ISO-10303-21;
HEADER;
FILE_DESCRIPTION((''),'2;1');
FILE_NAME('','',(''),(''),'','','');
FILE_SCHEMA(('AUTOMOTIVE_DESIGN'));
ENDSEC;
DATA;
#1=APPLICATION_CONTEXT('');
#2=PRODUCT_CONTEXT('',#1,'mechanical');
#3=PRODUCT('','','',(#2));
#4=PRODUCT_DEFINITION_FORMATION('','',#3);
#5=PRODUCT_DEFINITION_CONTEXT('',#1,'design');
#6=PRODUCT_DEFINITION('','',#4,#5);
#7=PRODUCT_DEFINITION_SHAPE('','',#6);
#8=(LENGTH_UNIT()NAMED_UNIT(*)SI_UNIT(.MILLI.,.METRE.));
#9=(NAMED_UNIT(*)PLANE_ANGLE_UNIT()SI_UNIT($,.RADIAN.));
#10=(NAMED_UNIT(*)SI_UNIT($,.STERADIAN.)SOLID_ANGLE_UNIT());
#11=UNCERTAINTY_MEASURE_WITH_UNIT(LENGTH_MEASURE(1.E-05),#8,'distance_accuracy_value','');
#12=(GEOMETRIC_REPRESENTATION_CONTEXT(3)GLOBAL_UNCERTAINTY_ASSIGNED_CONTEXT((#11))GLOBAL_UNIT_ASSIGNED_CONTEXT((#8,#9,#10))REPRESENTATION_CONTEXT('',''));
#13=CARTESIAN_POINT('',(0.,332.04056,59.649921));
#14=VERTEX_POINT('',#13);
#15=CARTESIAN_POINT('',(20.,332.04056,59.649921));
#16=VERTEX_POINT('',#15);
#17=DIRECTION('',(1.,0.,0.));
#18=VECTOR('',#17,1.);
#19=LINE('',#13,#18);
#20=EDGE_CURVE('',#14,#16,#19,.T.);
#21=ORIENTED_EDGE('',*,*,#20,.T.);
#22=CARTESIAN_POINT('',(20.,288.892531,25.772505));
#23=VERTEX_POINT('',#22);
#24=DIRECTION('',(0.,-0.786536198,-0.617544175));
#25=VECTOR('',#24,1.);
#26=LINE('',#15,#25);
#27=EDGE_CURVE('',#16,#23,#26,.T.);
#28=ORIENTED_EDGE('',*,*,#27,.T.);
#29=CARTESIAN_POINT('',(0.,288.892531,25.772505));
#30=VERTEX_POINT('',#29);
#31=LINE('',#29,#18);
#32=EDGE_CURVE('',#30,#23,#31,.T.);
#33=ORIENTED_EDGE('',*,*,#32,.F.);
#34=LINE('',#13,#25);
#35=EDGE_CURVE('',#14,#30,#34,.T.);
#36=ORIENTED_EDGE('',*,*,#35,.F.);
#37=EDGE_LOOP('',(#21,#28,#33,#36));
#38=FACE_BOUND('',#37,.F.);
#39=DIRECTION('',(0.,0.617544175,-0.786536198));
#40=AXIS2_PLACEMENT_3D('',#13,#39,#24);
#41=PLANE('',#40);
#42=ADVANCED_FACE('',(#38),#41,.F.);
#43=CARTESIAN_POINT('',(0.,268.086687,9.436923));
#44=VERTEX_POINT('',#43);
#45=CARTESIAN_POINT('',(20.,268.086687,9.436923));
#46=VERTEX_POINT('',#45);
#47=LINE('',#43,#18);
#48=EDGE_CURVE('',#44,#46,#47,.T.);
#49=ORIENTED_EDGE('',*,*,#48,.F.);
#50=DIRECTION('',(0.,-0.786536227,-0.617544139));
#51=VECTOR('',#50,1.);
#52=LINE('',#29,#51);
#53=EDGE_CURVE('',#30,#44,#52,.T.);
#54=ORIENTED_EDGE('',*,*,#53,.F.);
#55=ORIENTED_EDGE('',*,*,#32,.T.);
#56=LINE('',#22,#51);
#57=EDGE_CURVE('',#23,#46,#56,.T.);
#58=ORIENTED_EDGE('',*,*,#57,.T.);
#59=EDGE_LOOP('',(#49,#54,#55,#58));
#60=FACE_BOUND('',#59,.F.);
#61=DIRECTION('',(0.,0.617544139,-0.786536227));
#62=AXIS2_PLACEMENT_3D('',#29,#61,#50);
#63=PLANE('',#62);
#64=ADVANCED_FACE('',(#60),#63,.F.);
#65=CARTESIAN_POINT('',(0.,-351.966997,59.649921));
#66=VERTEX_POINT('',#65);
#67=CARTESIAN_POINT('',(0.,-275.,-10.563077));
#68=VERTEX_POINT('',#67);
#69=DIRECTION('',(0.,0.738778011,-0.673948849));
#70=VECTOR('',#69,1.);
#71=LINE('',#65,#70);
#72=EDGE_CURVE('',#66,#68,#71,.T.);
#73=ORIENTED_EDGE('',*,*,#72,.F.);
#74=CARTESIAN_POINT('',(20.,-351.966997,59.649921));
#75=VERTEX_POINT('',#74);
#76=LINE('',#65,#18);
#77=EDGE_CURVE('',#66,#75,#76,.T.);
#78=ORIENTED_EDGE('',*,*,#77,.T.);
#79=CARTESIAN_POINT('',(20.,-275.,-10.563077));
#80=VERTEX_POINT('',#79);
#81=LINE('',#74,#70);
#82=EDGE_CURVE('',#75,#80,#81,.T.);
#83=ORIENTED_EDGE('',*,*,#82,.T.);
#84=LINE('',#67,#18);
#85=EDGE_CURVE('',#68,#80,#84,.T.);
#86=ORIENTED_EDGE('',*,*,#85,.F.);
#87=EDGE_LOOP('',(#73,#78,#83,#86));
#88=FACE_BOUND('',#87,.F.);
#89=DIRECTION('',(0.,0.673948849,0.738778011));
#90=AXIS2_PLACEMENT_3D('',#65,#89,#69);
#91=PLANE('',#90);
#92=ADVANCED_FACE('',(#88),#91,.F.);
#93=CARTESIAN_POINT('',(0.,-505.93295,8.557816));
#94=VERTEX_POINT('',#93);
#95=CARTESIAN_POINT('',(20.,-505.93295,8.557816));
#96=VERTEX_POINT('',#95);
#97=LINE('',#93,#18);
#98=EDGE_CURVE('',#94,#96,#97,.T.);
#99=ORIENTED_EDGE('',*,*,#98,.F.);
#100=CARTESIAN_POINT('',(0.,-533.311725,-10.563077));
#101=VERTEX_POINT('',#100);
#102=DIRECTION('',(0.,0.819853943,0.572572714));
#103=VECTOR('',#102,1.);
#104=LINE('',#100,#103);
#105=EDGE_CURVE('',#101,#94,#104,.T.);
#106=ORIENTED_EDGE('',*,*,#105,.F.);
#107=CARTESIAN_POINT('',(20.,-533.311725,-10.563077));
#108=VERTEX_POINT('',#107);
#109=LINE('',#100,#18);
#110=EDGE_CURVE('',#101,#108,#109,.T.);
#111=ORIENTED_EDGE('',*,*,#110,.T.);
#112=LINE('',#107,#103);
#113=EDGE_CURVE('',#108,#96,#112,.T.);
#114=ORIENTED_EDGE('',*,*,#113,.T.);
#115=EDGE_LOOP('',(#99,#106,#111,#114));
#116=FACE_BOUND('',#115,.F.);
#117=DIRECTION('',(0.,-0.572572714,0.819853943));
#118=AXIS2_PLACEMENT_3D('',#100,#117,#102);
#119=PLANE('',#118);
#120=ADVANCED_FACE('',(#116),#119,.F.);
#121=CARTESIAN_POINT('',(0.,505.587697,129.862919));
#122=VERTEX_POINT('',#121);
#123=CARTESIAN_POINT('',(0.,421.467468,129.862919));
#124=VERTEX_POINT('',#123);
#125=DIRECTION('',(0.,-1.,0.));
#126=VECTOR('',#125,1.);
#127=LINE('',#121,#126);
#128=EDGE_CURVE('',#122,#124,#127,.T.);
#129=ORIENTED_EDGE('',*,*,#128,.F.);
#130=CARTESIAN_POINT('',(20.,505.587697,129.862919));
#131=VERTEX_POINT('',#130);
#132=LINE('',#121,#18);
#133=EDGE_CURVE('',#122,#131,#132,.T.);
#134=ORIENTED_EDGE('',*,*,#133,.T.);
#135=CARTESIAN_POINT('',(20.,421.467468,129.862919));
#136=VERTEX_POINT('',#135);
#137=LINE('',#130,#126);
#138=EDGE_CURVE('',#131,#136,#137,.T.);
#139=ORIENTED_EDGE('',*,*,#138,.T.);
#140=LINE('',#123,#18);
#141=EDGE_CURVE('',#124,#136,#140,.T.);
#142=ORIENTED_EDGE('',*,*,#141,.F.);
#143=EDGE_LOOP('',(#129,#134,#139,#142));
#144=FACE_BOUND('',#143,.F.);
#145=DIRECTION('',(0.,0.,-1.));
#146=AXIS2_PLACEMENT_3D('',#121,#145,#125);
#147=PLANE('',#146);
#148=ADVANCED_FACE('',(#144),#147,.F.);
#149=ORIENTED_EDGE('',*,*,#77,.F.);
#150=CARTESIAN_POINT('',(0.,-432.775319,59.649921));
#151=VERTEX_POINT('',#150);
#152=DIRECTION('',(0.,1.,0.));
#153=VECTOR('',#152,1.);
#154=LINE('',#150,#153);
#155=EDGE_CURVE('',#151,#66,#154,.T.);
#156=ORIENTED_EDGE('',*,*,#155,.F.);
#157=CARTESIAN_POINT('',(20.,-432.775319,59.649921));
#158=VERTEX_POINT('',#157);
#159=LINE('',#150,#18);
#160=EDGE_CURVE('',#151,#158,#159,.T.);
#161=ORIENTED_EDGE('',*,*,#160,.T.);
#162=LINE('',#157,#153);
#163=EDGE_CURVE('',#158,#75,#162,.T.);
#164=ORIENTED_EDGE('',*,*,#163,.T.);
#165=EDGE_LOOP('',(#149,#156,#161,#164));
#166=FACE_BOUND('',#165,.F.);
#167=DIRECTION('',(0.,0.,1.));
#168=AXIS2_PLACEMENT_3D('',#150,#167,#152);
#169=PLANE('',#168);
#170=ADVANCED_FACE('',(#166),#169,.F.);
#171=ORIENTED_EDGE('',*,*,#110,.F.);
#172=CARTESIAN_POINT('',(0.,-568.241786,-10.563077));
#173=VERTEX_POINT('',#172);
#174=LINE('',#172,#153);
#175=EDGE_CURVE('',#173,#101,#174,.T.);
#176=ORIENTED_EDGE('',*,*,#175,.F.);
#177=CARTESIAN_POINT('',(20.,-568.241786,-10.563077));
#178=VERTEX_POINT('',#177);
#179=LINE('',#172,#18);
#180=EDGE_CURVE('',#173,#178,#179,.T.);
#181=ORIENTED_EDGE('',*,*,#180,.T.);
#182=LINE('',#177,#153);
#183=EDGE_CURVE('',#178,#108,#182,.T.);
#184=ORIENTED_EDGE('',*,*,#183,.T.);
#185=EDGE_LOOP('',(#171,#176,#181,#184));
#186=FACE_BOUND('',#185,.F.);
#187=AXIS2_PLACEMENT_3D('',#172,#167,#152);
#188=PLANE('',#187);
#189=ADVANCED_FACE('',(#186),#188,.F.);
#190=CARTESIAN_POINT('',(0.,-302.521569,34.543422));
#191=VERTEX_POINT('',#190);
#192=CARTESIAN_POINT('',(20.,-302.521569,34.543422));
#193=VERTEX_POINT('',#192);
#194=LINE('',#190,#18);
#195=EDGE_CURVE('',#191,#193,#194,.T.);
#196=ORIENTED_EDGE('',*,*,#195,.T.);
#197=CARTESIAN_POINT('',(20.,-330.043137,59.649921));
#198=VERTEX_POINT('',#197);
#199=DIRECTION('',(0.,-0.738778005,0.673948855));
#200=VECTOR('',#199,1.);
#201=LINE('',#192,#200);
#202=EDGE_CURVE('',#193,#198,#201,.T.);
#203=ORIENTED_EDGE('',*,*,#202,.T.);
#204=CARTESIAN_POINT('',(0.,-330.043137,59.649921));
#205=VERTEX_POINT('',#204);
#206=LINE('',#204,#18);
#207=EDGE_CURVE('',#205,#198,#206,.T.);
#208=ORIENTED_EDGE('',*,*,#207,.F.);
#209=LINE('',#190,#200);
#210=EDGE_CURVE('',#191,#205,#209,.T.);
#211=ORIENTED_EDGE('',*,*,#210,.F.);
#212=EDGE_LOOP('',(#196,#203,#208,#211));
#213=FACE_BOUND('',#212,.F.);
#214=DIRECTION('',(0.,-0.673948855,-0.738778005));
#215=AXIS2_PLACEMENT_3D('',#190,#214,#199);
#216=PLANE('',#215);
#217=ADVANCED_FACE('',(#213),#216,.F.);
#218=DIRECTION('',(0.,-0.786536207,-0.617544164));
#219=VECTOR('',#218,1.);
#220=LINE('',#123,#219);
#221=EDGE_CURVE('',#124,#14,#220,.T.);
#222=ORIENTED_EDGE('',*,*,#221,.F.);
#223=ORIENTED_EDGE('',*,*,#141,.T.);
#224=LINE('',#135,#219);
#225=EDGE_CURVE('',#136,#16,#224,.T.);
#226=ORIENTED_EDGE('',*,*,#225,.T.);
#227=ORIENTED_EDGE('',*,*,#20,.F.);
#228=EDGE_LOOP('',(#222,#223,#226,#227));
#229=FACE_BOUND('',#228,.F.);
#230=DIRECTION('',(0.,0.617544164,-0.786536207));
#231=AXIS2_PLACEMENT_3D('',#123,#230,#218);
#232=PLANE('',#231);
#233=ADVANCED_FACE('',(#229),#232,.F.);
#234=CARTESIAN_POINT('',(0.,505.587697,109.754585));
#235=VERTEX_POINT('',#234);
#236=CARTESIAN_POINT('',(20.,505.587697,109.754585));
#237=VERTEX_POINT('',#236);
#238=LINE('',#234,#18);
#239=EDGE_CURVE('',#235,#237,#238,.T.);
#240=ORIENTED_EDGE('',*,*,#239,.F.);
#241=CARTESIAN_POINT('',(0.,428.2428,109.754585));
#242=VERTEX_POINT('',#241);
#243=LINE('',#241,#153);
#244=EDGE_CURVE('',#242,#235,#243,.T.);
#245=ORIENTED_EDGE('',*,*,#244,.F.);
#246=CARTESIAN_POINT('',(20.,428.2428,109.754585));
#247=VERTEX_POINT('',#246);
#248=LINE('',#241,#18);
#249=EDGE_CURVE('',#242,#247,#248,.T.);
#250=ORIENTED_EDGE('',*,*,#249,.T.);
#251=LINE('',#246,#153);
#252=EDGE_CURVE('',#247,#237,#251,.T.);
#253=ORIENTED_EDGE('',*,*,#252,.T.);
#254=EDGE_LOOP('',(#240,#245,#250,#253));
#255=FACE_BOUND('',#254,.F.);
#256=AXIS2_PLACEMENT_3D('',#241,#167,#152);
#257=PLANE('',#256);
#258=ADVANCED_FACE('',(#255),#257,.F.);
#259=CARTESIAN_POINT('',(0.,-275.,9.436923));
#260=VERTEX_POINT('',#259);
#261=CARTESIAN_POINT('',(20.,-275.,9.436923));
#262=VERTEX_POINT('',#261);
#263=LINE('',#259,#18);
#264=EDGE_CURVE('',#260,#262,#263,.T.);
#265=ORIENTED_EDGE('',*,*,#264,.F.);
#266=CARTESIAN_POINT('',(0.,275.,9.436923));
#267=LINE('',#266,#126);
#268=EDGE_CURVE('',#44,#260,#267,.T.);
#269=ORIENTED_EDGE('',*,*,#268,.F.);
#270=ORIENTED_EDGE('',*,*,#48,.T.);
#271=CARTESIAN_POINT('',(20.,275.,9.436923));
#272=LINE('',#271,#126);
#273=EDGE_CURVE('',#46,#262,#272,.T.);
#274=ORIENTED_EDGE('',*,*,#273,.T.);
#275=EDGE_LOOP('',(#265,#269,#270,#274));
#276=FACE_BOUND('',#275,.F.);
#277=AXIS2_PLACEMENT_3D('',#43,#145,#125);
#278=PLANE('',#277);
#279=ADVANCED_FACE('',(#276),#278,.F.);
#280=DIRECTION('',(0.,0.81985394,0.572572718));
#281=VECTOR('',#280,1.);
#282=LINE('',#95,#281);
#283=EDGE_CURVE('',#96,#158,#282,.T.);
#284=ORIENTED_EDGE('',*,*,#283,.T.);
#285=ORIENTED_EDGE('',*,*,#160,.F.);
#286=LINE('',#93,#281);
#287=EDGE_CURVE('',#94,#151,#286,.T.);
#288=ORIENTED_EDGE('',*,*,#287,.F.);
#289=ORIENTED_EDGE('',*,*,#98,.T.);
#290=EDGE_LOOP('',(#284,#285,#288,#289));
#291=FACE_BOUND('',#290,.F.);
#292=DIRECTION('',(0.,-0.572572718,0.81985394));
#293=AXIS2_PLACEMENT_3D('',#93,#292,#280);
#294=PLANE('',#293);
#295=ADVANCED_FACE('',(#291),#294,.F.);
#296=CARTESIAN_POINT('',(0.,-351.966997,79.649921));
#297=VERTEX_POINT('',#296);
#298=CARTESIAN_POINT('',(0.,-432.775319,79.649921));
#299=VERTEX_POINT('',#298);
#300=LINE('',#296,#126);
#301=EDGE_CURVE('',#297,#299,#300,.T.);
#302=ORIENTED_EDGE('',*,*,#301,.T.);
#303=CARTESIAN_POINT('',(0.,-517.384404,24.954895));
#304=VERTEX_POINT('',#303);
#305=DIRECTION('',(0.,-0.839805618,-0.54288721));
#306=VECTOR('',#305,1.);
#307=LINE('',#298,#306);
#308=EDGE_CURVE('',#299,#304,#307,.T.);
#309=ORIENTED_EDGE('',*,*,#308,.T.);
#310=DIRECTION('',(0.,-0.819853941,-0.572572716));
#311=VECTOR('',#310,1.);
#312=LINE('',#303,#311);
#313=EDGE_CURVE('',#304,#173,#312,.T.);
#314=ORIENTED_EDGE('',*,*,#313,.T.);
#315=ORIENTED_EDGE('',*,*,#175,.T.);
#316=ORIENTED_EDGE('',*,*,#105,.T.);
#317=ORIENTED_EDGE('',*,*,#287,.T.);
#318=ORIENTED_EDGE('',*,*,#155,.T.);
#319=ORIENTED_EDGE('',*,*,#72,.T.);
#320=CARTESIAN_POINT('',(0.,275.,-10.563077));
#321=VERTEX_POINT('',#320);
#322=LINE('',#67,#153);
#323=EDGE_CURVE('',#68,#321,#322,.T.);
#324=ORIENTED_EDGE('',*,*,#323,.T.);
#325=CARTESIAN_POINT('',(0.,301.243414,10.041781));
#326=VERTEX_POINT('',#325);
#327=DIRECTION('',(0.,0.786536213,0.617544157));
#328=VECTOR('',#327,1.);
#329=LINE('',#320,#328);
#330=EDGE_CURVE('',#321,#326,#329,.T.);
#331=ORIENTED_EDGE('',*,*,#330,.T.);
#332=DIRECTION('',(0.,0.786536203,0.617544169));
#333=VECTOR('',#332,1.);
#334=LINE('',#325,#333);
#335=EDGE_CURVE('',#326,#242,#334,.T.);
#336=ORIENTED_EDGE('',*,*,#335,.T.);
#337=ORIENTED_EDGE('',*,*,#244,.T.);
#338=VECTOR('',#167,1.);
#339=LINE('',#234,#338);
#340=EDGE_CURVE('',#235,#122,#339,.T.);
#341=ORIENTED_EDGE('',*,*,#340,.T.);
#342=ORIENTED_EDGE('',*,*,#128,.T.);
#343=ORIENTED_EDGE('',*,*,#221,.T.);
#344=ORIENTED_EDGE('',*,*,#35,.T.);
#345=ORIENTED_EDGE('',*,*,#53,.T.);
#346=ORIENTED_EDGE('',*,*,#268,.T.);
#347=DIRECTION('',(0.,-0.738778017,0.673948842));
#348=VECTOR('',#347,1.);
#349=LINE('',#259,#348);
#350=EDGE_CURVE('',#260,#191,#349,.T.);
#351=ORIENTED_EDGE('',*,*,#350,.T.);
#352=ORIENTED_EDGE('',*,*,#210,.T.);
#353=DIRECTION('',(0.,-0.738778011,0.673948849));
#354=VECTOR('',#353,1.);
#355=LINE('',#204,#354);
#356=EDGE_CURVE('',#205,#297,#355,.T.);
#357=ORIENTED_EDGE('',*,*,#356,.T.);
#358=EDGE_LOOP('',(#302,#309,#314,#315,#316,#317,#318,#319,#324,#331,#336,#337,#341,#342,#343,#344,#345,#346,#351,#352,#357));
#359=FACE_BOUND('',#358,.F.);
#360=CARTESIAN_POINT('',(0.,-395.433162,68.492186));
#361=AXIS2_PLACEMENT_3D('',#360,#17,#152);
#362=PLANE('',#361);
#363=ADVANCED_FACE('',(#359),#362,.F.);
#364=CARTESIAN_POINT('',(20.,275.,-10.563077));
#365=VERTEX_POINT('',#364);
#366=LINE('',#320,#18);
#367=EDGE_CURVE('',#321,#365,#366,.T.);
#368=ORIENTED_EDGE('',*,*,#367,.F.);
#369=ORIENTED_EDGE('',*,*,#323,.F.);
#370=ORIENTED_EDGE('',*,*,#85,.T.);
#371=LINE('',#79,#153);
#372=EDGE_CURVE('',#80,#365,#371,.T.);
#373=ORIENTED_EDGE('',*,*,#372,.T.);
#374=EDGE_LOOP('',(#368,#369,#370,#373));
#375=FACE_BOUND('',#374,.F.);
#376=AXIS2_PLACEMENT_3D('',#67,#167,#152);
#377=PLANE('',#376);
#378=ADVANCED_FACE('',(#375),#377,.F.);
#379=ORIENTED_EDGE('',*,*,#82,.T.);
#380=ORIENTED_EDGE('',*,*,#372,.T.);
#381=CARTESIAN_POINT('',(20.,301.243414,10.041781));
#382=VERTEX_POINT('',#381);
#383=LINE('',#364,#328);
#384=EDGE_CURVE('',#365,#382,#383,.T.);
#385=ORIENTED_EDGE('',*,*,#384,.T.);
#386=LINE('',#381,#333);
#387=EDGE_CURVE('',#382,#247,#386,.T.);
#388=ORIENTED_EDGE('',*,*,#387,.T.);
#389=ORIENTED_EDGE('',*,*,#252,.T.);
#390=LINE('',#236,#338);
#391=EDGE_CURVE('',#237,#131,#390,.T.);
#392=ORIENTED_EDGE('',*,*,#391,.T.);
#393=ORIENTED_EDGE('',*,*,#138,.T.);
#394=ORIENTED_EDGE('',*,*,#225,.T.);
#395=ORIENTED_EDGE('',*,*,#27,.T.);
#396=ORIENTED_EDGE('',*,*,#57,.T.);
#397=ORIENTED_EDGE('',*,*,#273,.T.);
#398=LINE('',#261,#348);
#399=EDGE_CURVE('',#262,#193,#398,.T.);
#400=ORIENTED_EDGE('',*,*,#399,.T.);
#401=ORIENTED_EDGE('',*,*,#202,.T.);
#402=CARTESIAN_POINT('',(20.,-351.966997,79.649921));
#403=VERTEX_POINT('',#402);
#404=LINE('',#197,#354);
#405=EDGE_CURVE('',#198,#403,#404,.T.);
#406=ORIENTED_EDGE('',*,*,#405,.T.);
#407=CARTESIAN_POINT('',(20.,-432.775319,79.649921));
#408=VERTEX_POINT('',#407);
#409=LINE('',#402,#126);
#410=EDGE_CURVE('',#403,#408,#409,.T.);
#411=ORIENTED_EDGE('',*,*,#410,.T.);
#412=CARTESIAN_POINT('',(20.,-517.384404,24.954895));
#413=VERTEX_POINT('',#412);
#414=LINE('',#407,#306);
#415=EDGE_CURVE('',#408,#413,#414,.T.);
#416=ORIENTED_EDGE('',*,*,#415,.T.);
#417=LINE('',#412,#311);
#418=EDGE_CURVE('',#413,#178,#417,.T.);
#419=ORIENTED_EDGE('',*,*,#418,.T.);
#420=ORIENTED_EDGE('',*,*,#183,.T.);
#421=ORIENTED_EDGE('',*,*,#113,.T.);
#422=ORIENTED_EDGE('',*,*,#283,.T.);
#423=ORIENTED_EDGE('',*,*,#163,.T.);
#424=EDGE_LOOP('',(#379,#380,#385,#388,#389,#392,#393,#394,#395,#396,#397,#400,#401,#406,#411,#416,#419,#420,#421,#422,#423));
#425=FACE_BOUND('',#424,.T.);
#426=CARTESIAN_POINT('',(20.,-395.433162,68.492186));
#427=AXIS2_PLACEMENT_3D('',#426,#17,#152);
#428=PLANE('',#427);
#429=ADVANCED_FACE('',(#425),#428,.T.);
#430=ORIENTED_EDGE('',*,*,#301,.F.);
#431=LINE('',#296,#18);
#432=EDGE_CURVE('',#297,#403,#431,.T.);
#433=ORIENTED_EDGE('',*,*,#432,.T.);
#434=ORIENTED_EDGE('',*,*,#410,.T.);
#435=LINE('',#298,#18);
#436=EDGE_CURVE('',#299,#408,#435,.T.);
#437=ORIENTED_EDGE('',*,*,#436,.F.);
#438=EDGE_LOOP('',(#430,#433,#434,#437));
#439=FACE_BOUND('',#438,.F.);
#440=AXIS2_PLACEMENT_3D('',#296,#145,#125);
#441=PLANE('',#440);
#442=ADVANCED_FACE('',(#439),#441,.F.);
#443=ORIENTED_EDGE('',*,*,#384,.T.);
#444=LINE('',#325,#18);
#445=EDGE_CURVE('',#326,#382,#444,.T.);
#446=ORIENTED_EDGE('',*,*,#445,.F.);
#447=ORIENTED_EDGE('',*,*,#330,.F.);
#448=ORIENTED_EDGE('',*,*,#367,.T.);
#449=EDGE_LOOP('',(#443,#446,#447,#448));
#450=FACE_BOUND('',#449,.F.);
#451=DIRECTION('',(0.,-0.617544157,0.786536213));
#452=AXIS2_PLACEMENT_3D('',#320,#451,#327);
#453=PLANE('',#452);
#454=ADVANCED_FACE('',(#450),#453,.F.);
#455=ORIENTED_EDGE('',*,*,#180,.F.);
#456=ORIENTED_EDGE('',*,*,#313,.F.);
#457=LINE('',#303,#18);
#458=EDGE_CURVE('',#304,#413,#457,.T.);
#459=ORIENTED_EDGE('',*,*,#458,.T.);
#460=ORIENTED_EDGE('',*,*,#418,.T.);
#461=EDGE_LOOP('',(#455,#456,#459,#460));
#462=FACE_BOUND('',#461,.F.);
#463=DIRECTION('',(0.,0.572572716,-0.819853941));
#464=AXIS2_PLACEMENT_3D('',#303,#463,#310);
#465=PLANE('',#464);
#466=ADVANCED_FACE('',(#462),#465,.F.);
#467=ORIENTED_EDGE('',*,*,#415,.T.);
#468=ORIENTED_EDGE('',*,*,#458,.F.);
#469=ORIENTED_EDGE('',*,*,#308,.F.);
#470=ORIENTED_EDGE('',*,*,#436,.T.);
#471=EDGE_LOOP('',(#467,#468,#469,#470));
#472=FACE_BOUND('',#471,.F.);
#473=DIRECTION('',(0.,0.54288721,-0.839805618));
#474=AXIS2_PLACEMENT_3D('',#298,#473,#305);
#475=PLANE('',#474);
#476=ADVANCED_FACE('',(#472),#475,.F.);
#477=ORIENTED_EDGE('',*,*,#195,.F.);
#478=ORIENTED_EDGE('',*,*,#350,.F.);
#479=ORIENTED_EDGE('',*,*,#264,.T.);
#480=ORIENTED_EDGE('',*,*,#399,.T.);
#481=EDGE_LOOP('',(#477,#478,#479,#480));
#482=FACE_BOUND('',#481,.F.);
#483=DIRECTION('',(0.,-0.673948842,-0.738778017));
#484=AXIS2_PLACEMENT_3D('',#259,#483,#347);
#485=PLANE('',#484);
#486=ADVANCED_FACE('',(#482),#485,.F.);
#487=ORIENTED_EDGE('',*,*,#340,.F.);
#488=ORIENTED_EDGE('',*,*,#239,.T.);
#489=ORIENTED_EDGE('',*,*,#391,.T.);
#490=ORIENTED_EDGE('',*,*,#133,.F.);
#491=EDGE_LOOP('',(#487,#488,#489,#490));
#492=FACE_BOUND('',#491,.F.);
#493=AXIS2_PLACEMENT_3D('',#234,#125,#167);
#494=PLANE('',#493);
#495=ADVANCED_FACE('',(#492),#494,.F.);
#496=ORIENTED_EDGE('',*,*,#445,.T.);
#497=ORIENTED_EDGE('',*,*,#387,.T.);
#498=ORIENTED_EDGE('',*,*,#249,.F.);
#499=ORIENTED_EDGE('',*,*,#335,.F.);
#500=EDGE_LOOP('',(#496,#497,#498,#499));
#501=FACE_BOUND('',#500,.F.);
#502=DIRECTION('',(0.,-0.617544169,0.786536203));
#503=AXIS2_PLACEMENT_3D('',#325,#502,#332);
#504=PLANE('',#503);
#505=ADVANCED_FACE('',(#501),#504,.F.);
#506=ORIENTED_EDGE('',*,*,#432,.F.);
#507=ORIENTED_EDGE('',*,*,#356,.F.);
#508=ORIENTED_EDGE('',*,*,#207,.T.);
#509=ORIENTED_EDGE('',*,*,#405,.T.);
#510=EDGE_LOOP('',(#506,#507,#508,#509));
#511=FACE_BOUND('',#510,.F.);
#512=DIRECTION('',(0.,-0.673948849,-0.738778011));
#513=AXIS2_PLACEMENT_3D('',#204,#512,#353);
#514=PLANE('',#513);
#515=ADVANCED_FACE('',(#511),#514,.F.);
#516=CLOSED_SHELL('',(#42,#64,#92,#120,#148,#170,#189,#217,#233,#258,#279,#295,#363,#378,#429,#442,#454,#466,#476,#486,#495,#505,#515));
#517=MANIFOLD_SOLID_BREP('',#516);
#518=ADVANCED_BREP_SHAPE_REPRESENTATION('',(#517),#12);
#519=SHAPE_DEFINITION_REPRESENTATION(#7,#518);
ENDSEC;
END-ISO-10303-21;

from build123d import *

# Parameters (mm, degrees)
F1_DEPTH = 20


with BuildPart() as f1:
    # F0 (on Right) → F1 (new body)
    with BuildSketch(Plane.YZ):
        Polygon((-413.016528, 59.649921), (-351.966997, 59.649921), (-373.890857, 79.649921), (-432.775319, 79.649921), (-432.775319, 59.649921), align=None)
        Polygon((-373.890857, 79.649921), (-351.966997, 59.649921), (-330.043137, 59.649921), (-351.966997, 79.649921), align=None)
        Polygon((-275, -10.563077), (-275, 9.436923), (-302.521569, 34.543422), (-330.043137, 59.649921), (-351.966997, 59.649921), align=None)
        Polygon((268.086687, 9.436923), (-275, 9.436923), (-275, -10.563077), (275, -10.563077), (275, 9.436923), align=None)
        Polygon((332.04056, 59.649921), (288.892531, 25.772505), (301.243414, 10.041781), (428.2428, 109.754585), (453.853816, 129.862919), (421.467468, 129.862919), align=None)
        Polygon((453.853816, 129.862919), (428.2428, 109.754585), (505.587697, 109.754585), (505.587697, 129.862919), align=None)
        Polygon((288.892531, 25.772505), (268.086687, 9.436923), (275, 9.436923), (275, -10.563077), (301.243414, 10.041781), align=None)
        Polygon((-505.93295, 8.557816), (-432.775319, 59.649921), (-432.775319, 79.649921), (-517.384404, 24.954895), align=None)
        Polygon((-533.311725, -10.563077), (-505.93295, 8.557816), (-517.384404, 24.954895), (-568.241786, -10.563077), align=None)
    extrude(amount=F1_DEPTH)


solid = f1.part
